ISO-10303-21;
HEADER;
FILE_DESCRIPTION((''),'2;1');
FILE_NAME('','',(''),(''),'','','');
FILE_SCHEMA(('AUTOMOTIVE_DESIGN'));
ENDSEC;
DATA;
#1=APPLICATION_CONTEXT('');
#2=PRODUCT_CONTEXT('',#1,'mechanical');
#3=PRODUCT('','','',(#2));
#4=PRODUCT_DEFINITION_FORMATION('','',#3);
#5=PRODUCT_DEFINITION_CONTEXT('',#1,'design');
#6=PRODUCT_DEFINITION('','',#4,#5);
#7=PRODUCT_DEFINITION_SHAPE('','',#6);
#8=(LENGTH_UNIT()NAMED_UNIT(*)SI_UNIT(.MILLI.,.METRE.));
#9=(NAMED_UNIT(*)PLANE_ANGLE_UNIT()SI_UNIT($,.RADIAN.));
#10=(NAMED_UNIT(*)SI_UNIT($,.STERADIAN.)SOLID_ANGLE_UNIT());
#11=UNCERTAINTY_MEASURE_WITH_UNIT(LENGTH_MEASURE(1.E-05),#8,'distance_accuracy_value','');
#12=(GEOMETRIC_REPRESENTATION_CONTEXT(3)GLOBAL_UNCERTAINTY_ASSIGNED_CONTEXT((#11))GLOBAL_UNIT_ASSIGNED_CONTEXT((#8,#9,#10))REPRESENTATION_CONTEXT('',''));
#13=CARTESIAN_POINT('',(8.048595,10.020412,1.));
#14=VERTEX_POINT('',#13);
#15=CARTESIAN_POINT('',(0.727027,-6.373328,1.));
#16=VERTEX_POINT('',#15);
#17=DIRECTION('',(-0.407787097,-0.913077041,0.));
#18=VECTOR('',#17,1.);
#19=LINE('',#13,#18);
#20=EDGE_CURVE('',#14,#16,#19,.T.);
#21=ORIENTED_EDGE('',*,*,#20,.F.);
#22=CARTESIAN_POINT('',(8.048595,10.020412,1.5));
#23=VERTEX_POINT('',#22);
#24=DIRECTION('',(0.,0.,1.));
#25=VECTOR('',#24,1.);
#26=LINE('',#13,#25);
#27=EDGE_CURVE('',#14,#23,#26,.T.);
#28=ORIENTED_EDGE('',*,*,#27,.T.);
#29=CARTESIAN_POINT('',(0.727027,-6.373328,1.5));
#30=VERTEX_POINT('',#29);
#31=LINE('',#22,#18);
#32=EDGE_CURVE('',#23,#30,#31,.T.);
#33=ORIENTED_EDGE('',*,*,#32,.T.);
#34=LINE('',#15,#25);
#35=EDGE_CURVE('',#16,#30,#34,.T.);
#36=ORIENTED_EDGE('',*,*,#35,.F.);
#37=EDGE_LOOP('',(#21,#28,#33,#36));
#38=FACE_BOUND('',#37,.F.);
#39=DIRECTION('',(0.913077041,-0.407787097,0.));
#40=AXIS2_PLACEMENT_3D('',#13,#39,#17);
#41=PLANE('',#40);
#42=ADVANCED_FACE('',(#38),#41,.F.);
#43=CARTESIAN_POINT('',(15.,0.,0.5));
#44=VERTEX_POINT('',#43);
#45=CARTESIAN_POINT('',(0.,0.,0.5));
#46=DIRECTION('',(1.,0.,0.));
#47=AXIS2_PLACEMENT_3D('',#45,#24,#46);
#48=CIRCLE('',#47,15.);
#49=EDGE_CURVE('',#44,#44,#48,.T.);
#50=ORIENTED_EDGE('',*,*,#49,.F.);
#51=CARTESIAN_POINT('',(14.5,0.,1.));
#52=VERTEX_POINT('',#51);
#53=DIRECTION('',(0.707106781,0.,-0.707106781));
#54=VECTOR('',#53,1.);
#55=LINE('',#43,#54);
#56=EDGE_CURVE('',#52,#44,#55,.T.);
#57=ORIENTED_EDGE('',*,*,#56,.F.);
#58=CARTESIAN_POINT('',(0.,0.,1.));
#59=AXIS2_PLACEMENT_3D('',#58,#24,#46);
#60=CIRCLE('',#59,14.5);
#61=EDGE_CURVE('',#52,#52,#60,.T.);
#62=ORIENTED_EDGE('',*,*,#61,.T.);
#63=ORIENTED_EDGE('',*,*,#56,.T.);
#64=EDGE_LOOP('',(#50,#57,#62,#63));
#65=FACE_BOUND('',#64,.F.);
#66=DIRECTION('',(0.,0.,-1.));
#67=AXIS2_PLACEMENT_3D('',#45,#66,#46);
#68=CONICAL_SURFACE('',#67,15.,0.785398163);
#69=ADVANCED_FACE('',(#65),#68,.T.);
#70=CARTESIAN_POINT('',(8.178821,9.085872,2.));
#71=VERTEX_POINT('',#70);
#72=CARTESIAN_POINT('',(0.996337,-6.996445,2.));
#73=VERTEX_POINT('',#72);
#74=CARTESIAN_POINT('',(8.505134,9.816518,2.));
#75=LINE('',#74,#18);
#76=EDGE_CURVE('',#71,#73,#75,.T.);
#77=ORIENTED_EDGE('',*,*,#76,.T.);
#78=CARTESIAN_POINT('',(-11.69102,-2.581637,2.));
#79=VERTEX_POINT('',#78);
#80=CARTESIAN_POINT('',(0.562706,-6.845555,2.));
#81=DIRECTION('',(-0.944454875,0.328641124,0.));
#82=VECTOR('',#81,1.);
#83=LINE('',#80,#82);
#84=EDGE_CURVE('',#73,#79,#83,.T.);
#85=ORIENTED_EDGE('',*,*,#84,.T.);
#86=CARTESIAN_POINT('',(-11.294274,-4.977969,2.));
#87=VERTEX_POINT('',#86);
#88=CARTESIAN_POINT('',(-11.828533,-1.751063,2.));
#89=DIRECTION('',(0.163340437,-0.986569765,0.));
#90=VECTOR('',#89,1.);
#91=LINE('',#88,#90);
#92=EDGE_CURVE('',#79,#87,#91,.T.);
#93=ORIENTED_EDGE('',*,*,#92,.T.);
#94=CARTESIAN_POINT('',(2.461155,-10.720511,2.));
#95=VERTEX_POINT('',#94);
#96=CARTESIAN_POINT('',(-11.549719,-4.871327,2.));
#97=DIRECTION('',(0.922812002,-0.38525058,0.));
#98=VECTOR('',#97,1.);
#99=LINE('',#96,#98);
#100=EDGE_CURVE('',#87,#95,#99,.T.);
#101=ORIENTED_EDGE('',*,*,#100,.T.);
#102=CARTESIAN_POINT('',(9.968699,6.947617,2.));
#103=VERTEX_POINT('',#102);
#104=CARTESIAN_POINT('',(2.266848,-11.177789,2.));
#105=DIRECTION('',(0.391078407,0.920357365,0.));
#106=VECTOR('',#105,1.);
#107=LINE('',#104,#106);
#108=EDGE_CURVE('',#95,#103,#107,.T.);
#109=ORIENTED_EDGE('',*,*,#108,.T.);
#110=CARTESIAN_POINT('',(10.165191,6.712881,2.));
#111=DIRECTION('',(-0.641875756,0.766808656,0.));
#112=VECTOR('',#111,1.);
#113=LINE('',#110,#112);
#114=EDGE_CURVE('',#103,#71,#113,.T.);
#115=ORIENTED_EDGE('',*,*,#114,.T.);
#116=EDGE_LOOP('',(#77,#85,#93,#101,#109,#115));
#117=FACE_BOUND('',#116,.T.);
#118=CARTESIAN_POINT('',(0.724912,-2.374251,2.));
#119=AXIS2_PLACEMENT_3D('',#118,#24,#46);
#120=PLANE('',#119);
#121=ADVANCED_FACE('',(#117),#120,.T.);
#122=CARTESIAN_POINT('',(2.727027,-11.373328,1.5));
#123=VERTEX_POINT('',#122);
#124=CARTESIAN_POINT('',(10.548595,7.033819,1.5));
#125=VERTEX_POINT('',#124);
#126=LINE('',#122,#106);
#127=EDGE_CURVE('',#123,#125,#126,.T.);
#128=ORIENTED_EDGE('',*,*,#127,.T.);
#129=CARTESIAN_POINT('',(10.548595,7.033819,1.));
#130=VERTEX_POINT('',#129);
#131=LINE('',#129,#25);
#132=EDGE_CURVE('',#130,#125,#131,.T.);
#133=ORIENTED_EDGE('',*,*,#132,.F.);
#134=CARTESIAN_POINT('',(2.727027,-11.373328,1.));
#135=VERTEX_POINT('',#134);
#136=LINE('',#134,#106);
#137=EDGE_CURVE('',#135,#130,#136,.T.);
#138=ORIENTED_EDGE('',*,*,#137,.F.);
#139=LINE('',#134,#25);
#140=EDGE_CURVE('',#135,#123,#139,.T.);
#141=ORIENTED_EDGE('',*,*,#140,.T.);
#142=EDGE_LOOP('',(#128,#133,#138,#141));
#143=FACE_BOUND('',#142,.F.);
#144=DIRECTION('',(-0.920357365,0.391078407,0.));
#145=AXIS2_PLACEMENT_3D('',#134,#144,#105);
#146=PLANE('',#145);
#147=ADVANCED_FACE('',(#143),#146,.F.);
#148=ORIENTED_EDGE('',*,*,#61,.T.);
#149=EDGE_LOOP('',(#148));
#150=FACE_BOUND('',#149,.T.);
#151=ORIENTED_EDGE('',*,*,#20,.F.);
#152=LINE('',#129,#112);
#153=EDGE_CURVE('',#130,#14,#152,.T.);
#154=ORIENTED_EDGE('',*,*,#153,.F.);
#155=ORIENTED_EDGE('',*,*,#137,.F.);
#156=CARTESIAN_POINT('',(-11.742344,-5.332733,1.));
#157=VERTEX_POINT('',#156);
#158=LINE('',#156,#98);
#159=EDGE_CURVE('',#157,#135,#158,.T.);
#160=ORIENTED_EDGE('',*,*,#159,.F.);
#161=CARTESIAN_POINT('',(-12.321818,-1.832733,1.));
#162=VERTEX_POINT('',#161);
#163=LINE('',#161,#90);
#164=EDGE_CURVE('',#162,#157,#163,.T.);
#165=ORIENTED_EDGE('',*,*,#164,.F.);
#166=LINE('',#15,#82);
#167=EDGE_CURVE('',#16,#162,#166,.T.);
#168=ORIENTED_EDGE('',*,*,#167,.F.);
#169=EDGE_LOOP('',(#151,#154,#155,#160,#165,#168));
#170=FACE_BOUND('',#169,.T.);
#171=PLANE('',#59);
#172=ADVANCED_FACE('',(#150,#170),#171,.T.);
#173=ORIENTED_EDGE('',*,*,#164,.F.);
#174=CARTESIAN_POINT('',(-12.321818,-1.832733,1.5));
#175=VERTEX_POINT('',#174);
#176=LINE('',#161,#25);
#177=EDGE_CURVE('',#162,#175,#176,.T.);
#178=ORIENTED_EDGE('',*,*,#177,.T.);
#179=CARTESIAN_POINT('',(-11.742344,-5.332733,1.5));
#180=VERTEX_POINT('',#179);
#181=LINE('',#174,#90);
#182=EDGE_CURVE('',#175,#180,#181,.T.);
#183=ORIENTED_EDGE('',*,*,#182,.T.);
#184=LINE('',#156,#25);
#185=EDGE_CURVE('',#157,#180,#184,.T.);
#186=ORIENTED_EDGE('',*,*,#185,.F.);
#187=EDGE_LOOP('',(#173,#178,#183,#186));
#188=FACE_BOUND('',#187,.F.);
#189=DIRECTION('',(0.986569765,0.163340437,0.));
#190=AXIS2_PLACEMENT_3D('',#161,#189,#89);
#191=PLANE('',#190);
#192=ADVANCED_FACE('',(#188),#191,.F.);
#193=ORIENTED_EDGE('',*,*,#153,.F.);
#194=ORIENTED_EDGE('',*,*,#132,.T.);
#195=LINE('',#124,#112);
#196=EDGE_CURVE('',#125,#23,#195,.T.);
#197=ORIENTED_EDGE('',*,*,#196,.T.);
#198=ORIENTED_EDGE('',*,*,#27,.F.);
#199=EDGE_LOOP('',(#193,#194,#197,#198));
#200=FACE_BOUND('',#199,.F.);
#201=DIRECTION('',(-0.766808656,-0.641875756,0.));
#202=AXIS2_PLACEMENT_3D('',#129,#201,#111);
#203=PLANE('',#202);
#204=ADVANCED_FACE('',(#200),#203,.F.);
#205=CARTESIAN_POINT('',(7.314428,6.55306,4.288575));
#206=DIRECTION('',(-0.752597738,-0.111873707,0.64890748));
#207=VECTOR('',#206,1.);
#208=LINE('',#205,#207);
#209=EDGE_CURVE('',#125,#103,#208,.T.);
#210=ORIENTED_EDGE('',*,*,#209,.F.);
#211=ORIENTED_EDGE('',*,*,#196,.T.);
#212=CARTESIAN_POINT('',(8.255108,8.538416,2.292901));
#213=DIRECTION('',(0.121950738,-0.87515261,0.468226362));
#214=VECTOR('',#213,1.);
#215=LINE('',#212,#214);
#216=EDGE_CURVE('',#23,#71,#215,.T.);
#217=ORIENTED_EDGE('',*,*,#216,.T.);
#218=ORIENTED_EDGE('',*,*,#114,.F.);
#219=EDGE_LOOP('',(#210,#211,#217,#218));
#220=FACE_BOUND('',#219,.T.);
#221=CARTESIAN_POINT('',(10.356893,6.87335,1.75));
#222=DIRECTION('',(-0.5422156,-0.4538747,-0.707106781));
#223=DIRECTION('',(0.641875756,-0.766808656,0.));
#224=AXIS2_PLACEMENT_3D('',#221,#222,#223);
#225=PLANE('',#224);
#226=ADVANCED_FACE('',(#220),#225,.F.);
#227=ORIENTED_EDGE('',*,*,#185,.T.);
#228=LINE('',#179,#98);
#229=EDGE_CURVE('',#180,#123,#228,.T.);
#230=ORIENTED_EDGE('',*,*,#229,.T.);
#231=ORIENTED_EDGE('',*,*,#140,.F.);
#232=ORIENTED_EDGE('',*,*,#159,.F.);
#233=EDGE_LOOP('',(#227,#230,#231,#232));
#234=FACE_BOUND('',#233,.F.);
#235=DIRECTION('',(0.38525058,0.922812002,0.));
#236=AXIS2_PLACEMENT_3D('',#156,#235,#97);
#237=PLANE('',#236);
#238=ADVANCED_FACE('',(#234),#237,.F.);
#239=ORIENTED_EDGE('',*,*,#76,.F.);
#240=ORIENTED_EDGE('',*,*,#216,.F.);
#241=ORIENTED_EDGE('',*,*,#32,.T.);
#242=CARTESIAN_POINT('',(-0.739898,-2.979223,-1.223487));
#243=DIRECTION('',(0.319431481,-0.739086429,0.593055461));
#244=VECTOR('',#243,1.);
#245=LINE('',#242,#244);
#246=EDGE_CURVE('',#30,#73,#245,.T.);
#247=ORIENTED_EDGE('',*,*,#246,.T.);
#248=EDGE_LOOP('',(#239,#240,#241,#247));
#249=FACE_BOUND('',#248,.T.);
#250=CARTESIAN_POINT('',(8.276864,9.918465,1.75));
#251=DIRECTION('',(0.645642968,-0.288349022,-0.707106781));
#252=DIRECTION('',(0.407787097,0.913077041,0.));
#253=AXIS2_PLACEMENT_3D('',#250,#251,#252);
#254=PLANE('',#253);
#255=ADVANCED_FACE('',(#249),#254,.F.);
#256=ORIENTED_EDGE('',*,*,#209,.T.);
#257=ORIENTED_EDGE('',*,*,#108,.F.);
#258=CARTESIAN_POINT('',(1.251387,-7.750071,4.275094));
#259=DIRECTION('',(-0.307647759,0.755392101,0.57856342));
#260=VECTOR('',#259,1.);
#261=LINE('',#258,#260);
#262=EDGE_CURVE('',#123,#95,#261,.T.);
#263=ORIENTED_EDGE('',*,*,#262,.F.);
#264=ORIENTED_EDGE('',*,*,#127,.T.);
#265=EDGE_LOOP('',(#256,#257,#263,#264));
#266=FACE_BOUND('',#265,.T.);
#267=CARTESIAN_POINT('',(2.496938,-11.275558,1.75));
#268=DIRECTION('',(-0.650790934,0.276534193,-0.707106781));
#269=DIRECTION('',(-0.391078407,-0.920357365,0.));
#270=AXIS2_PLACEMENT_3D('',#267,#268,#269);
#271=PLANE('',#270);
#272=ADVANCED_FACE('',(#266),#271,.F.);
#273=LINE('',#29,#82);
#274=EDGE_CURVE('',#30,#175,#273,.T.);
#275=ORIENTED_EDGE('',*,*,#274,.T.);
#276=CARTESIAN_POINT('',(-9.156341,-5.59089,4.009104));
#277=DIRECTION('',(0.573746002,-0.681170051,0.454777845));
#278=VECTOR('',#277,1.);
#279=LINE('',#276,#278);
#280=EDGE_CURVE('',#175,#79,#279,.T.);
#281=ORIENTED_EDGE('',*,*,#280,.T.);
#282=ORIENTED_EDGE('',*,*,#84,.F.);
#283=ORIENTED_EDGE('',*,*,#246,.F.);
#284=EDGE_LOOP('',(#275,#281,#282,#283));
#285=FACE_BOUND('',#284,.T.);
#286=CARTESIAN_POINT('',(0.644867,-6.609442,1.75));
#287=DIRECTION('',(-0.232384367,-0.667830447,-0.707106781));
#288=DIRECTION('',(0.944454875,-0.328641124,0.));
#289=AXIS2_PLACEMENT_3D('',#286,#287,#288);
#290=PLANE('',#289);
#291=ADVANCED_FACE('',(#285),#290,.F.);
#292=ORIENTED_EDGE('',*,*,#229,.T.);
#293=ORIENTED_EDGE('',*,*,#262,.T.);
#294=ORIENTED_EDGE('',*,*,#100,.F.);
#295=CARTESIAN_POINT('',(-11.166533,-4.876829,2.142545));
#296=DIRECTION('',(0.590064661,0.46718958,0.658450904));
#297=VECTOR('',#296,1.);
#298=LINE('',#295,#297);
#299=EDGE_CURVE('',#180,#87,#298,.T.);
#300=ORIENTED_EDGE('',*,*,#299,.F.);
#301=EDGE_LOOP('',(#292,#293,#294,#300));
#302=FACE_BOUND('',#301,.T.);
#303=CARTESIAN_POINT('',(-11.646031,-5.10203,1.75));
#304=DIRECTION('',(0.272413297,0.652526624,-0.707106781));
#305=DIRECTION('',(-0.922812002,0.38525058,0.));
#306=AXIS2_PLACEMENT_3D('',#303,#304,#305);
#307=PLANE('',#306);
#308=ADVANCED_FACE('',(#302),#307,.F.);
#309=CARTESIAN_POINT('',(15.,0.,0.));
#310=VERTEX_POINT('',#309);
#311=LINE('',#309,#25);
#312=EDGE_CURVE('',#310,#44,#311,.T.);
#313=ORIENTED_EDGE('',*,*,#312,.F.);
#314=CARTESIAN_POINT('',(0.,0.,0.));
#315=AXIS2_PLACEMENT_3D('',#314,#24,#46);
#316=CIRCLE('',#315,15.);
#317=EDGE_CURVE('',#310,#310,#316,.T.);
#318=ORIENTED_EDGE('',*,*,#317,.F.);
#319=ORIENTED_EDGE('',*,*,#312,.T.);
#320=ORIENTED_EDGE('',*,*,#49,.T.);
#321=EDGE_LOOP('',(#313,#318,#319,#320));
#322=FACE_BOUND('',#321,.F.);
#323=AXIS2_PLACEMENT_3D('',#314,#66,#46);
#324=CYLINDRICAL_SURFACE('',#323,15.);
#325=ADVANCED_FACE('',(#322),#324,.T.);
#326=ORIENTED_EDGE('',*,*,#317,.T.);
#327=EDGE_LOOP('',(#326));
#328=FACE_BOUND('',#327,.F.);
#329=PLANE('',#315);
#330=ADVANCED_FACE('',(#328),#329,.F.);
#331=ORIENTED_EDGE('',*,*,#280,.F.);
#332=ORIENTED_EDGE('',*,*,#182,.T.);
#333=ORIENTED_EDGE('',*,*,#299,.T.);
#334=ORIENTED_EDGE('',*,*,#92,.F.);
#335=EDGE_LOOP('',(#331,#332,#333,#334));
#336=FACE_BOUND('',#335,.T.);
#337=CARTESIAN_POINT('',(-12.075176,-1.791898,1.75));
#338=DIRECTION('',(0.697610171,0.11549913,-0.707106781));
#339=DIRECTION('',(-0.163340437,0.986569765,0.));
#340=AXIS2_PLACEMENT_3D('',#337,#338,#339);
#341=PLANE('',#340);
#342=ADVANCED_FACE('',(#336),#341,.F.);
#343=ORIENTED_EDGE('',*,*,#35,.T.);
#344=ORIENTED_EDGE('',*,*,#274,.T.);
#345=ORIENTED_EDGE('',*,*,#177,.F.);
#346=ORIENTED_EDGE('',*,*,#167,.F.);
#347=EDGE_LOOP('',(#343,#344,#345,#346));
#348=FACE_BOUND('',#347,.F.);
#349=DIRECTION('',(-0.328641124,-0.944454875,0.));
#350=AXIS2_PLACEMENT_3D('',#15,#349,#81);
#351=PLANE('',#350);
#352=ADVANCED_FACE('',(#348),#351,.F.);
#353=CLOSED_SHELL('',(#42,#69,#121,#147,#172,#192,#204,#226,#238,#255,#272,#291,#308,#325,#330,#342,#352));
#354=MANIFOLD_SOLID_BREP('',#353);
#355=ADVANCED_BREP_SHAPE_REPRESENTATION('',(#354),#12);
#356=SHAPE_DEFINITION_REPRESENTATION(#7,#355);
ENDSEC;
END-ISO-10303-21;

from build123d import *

# Parameters (mm, degrees)
SKETCH_R        = 15
PAD_DEPTH       = 1
PAD001_DEPTH    = 1
CHAMFER_SIZE    = 0.5
CHAMFER001_SIZE = 0.5


with BuildPart() as part:
    # Sketch → Pad (new body)
    with BuildSketch(Plane.XY):
        Circle(SKETCH_R)
    extrude(amount=PAD_DEPTH)

    # Sketch001 (on Face3 of Pad) → Pad001 (join)
    with BuildSketch(Plane.XY.offset(1)):
        Polygon((-12.321818, -1.832733), (-11.742344, -5.332733), (2.727027, -11.373328), (10.548595, 7.033819), (8.048595, 10.020412), (0.727027, -6.373328), align=None)
    extrude(amount=PAD001_DEPTH)

    # Chamfer
    chamfer_edges = [part.edges().sort_by_distance(p)[0] for p in [
        (-4.507658, -8.353031, 2),
        (-12.032081, -3.582733, 2),
        (-5.797395, -4.103031, 2),
        (4.387811, 1.823542, 2),
        (6.637811, -2.169755, 2),
        (9.298595, 8.527115, 2),
    ]]
    chamfer(chamfer_edges, length=CHAMFER_SIZE)

    # Chamfer001
    chamfer001_edges = [part.edges().sort_by_distance(p)[0] for p in [
        (-15, 0, 1),
    ]]
    chamfer(chamfer001_edges, length=CHAMFER001_SIZE)


solid = part.part
